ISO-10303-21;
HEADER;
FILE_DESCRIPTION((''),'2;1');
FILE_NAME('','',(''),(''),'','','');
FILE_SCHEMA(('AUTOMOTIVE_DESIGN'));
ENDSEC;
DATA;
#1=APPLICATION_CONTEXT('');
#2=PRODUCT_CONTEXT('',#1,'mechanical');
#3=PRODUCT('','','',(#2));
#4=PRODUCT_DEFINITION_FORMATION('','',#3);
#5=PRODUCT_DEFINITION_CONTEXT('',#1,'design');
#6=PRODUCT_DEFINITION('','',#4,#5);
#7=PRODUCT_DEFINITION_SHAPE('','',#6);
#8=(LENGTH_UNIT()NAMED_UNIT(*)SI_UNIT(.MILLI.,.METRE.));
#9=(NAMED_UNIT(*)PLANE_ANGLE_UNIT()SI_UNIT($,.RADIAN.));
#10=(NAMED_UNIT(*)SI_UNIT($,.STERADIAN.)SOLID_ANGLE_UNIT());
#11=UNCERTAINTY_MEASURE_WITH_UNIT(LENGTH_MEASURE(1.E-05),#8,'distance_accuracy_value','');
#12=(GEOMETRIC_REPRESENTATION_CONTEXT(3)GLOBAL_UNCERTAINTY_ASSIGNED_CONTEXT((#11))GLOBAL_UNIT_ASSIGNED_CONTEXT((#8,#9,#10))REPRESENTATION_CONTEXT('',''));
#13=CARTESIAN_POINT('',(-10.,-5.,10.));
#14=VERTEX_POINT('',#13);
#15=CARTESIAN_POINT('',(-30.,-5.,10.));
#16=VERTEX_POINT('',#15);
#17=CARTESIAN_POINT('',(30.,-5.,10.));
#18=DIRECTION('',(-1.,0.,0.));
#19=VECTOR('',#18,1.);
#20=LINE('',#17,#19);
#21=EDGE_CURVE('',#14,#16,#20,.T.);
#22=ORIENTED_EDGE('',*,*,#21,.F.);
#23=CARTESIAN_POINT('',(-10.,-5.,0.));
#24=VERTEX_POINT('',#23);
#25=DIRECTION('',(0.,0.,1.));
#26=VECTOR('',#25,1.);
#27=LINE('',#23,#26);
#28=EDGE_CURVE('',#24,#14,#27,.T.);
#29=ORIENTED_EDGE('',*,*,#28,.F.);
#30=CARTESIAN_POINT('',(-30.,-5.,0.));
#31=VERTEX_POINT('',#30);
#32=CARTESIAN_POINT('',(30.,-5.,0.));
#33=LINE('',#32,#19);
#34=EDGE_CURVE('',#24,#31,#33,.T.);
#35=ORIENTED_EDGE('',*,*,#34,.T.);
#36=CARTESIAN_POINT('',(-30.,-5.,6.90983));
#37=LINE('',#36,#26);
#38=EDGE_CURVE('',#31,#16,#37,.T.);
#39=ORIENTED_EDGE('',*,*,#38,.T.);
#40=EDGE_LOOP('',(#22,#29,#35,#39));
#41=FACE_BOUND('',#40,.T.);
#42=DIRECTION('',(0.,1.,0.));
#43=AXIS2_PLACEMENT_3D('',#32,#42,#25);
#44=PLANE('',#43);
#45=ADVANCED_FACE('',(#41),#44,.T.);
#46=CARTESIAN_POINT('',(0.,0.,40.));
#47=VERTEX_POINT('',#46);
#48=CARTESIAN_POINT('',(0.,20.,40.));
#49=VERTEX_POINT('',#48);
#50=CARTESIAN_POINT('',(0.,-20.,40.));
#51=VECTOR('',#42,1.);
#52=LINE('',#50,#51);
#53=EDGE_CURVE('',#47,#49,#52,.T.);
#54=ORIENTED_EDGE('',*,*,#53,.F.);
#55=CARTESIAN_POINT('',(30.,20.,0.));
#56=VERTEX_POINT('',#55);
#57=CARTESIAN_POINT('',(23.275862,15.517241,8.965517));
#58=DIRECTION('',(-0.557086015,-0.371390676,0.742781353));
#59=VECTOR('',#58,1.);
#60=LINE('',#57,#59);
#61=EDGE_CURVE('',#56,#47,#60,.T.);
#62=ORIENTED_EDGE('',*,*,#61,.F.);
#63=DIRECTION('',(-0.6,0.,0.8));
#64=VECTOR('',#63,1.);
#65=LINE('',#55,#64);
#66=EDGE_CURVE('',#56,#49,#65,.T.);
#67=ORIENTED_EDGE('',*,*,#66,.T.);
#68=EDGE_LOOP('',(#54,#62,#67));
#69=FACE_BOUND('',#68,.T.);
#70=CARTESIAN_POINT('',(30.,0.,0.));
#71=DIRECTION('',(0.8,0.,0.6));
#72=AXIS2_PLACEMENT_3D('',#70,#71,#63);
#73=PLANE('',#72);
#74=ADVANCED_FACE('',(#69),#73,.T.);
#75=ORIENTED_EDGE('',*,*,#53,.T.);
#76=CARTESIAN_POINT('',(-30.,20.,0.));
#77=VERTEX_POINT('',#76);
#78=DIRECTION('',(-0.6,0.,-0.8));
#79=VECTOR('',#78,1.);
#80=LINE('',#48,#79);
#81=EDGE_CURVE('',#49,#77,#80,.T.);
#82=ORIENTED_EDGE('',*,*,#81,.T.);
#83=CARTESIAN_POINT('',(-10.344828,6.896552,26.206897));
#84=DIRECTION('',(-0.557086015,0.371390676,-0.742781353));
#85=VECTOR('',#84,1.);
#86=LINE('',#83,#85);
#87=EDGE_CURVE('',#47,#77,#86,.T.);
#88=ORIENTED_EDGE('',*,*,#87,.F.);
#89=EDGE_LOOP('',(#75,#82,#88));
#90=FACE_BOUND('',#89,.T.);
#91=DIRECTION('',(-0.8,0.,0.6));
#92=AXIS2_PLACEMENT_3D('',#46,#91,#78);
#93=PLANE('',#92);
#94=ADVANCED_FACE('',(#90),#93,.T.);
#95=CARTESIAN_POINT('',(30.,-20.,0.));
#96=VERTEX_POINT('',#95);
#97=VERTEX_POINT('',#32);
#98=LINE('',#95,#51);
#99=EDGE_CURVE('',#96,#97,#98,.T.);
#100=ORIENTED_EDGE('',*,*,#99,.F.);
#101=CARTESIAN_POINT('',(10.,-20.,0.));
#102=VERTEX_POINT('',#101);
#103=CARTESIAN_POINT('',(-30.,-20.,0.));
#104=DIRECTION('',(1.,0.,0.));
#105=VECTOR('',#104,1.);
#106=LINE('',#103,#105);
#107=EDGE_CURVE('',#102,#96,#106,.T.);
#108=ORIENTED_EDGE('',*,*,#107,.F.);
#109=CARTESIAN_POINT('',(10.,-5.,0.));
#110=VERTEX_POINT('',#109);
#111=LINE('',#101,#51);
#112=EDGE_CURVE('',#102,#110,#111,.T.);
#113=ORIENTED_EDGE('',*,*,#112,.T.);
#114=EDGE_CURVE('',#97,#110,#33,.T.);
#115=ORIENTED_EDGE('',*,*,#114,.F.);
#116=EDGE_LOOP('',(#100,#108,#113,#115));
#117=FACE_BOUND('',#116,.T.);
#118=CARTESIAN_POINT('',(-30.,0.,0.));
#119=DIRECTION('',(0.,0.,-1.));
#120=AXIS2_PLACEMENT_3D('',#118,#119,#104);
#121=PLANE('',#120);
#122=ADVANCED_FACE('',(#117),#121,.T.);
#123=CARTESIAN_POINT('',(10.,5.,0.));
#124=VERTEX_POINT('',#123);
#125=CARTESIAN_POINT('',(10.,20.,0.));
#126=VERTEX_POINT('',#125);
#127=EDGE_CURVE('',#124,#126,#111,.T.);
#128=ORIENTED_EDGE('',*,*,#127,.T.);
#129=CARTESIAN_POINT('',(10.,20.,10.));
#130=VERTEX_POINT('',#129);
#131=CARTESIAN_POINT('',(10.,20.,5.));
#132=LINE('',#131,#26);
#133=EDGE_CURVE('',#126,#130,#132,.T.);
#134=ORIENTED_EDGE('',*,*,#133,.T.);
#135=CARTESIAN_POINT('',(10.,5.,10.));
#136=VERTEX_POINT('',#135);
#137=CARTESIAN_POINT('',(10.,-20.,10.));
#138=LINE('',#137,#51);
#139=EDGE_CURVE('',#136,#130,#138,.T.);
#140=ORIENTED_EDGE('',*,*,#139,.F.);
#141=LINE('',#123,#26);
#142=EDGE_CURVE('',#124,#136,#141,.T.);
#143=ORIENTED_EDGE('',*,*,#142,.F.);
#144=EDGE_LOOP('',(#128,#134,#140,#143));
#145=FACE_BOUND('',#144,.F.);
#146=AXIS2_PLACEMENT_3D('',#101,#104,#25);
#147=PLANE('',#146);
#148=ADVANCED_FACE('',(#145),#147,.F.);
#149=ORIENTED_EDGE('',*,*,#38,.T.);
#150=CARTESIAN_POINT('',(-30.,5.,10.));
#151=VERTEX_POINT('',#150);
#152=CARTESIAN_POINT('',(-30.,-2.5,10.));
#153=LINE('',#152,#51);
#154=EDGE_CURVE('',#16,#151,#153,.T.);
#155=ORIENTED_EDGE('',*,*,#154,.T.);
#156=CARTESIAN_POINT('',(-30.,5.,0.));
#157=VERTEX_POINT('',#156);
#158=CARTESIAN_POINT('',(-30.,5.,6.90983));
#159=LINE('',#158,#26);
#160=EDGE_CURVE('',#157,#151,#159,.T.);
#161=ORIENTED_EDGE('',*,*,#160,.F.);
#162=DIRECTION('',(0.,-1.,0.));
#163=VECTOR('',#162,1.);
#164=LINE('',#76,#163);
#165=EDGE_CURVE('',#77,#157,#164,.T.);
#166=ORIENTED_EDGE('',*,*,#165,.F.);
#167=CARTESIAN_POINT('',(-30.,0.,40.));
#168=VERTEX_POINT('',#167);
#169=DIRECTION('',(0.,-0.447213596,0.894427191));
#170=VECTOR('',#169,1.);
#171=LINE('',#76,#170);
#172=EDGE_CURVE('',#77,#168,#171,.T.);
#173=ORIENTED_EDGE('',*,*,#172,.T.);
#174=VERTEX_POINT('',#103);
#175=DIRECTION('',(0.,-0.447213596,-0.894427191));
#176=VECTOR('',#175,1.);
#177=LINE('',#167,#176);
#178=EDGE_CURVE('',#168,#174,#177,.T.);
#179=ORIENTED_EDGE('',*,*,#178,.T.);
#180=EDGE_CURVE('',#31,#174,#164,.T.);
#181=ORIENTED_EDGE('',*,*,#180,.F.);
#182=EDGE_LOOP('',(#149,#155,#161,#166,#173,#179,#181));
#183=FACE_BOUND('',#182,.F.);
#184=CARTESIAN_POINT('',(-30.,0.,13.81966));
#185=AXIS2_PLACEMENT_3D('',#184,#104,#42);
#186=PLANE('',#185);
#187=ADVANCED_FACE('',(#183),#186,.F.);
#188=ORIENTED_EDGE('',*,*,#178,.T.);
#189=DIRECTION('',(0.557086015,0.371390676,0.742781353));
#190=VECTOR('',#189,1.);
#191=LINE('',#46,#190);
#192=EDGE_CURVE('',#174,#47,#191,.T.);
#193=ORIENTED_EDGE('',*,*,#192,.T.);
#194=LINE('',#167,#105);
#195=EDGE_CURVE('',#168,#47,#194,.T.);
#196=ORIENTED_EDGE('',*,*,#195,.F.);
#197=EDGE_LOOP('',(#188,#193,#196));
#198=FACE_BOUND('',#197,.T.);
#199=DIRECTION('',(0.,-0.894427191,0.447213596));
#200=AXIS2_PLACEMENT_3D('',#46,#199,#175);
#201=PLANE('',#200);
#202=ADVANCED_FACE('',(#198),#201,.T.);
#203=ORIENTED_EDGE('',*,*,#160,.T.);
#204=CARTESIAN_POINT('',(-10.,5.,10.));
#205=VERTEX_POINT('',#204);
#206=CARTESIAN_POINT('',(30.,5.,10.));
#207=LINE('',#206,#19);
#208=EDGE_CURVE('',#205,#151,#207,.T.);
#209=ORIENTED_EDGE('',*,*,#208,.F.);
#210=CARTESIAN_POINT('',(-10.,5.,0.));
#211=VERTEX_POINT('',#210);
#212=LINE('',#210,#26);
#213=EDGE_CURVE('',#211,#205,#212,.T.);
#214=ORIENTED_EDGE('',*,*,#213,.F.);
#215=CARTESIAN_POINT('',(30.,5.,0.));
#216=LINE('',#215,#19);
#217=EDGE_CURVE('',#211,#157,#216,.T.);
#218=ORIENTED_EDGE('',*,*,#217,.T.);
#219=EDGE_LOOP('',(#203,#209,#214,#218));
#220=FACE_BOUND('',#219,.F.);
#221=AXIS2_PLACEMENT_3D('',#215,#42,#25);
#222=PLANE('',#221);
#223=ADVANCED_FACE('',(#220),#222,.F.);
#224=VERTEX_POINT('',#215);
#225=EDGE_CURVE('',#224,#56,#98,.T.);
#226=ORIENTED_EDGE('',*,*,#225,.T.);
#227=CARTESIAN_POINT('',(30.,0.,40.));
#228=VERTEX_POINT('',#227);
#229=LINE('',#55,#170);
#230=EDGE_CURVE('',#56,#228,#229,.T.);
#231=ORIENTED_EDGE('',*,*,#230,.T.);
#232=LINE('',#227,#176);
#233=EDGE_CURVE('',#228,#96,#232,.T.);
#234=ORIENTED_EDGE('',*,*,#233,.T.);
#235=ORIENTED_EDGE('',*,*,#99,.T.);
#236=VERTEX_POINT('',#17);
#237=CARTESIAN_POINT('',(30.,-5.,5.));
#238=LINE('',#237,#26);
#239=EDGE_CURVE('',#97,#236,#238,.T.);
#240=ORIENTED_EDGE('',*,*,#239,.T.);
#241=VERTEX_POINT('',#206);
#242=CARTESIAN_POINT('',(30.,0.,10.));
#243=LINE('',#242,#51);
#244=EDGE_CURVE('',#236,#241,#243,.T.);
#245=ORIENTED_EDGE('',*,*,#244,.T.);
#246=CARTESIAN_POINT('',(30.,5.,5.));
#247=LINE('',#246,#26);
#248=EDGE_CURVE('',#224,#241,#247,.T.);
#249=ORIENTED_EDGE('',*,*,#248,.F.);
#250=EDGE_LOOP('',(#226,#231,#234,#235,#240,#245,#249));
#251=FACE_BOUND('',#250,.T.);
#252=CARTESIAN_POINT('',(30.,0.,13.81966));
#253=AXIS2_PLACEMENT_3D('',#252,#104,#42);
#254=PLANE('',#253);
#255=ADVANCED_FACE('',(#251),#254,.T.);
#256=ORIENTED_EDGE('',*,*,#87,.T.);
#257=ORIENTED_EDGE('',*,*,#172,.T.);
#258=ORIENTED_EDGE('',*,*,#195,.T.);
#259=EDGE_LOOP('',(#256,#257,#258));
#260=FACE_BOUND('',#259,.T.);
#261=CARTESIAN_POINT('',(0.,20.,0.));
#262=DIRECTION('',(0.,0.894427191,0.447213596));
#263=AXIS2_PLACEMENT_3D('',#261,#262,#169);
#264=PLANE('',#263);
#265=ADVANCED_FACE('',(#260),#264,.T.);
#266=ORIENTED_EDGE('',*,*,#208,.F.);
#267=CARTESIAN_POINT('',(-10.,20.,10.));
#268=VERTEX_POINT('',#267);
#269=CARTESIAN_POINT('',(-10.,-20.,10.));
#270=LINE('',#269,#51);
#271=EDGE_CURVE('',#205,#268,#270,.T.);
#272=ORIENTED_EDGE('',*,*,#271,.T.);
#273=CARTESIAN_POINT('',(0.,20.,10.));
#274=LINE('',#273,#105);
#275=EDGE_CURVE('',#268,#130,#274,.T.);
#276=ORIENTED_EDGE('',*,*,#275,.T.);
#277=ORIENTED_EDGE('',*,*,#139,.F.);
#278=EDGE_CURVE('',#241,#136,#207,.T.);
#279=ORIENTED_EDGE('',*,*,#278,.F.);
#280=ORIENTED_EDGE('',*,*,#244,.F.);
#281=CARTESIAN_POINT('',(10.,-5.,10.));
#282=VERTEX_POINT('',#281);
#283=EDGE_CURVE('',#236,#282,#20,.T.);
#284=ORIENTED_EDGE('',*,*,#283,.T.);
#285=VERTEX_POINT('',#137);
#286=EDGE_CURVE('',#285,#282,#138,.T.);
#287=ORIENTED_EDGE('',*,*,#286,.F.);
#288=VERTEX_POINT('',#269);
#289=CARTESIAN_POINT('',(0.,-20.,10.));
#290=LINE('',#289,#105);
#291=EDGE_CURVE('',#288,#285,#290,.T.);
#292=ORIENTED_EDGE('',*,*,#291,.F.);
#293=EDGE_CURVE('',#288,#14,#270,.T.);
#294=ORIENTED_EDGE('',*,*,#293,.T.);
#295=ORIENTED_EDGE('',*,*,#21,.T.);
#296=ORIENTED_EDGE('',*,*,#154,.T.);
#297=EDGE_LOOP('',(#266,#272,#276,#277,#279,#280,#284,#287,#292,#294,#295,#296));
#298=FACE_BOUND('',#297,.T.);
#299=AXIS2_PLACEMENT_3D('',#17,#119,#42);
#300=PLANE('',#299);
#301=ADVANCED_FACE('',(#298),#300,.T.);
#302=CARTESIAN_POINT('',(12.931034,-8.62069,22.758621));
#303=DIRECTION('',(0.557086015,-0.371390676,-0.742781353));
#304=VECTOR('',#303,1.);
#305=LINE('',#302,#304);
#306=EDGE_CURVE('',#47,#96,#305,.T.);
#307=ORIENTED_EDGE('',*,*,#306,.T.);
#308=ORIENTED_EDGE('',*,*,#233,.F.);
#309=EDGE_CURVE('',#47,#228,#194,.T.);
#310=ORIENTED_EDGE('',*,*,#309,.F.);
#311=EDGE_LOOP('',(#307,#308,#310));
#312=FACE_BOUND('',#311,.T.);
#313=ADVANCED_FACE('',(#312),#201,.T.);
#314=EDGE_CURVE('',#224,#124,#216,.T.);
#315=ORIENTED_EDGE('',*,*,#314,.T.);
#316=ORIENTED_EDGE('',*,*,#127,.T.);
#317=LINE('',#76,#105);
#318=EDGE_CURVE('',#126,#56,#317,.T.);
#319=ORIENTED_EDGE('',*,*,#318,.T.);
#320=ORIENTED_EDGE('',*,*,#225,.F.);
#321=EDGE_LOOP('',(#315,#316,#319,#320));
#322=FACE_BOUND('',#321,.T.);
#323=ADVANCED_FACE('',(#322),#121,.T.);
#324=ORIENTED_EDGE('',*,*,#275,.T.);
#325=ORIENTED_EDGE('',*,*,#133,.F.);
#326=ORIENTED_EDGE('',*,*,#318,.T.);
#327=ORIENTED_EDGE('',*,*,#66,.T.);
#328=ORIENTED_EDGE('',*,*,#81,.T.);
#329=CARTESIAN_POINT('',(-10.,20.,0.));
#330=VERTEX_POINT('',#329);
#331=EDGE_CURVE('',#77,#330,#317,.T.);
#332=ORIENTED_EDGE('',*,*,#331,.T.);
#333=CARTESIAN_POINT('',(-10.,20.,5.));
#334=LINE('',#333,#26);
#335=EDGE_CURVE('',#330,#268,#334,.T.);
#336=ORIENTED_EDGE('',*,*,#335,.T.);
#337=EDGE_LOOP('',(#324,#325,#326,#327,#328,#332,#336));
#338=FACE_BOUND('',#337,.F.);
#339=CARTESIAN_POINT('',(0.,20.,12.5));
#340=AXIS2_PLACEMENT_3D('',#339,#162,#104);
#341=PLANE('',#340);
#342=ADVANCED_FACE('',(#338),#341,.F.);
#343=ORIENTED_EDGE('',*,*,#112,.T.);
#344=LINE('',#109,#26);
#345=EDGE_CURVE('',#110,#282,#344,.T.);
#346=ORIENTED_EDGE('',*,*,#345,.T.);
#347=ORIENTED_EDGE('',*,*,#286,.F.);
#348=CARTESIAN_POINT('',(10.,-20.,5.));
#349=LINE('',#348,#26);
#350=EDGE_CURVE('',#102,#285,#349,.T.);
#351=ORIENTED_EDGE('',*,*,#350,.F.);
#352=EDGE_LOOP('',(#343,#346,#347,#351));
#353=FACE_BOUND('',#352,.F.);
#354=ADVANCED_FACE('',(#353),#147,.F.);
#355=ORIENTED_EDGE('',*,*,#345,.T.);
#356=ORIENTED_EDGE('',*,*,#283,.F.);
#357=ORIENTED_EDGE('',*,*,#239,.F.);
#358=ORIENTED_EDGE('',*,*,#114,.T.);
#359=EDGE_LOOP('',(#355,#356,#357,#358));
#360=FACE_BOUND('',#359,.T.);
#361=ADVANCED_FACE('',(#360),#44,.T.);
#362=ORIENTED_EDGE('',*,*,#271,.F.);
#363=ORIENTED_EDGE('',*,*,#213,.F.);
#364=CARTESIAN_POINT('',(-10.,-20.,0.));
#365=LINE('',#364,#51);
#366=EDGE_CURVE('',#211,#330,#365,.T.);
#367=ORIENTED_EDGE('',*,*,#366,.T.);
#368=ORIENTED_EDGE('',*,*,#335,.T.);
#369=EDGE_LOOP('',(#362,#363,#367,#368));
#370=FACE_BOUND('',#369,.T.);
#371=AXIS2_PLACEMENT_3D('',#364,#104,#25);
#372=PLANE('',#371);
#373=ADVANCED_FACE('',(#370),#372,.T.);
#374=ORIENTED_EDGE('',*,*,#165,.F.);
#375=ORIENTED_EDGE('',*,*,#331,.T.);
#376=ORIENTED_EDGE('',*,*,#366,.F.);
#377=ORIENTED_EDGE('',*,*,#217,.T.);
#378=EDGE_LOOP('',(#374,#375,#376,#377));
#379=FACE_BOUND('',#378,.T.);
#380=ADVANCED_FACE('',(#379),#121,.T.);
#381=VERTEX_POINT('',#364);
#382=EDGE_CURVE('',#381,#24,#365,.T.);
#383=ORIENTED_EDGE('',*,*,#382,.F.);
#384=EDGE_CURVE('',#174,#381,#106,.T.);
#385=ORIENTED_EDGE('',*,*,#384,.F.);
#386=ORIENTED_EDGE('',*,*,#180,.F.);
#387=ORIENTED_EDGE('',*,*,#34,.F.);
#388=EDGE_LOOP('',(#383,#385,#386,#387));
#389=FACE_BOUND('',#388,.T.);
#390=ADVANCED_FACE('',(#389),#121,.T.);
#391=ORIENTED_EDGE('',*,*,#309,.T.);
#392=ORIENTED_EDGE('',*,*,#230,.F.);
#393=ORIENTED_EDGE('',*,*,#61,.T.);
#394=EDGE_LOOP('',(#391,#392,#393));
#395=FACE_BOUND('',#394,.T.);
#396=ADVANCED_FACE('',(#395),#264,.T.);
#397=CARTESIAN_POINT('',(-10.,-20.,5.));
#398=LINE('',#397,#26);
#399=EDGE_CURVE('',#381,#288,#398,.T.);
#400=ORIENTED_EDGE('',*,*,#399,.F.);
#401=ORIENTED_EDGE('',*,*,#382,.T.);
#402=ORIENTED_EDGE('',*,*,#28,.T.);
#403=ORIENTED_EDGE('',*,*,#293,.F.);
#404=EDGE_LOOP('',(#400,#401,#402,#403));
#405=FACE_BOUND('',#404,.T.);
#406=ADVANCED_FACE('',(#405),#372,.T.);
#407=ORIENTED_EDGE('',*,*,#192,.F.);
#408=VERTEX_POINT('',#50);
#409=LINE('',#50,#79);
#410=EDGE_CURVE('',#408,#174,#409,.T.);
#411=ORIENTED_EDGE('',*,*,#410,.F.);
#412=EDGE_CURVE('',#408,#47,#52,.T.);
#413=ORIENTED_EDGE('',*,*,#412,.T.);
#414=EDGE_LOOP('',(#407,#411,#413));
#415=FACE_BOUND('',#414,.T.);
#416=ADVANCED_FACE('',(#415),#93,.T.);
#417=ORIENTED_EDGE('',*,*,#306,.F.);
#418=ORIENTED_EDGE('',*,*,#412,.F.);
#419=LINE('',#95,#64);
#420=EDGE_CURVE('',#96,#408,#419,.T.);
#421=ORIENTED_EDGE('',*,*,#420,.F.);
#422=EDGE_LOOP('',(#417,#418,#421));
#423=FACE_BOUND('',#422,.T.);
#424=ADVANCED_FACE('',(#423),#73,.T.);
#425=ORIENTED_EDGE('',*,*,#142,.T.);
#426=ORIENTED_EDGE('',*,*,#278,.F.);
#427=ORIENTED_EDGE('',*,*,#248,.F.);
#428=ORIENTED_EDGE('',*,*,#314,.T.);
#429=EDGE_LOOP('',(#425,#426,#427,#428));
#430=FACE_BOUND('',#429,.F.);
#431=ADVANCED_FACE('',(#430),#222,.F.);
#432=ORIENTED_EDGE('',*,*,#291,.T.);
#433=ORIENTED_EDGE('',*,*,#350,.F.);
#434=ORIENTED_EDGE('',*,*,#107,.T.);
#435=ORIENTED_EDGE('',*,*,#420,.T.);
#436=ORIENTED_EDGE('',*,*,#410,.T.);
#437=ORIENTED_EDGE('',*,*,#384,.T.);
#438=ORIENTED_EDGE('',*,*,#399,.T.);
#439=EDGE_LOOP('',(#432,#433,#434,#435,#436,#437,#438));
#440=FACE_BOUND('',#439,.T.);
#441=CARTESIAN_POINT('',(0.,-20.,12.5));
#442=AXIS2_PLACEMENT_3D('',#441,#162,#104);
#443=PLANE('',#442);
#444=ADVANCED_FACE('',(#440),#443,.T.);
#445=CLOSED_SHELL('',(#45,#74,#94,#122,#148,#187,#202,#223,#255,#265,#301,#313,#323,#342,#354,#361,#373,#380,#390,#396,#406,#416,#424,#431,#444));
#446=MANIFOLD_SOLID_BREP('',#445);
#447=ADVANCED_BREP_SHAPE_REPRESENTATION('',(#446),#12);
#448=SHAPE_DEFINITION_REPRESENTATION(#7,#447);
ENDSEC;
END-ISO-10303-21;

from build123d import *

# Parameters (mm, degrees)
F1_DEPTH = 20
F3_DEPTH = 30
F4_W     = 20
F4_H     = 10
F5_DEPTH = 40
F6_W     = 10
F6_H     = 10
F7_DEPTH = 64.9


with BuildPart() as f1:
    # F0 (on Front) → F1 (new body, symmetric)
    with BuildSketch(Plane.XZ):
        Polygon((0, 40), (-30, 0), (30, 0), align=None)
    extrude(amount=F1_DEPTH, both=True)

    # F2 (on Right) → F3 (join, symmetric)
    with BuildSketch(Plane.YZ):
        Polygon((20, 0), (0, 40), (-20, 0), align=None)
    extrude(amount=F3_DEPTH, both=True)

    # F4 (on face) → F5 (cut, through all)
    with BuildSketch(Plane.XZ.offset(20)):
        with Locations((0, 5)):
            Rectangle(F4_W, F4_H)
    extrude(amount=-F5_DEPTH, mode=Mode.SUBTRACT)

    # F6 (on face) → F7 (cut)
    with BuildSketch(Plane.YZ.offset(30)):
        with Locations((0, 5)):
            Rectangle(F6_W, F6_H)
    extrude(amount=-F7_DEPTH, mode=Mode.SUBTRACT)


solid = f1.part
